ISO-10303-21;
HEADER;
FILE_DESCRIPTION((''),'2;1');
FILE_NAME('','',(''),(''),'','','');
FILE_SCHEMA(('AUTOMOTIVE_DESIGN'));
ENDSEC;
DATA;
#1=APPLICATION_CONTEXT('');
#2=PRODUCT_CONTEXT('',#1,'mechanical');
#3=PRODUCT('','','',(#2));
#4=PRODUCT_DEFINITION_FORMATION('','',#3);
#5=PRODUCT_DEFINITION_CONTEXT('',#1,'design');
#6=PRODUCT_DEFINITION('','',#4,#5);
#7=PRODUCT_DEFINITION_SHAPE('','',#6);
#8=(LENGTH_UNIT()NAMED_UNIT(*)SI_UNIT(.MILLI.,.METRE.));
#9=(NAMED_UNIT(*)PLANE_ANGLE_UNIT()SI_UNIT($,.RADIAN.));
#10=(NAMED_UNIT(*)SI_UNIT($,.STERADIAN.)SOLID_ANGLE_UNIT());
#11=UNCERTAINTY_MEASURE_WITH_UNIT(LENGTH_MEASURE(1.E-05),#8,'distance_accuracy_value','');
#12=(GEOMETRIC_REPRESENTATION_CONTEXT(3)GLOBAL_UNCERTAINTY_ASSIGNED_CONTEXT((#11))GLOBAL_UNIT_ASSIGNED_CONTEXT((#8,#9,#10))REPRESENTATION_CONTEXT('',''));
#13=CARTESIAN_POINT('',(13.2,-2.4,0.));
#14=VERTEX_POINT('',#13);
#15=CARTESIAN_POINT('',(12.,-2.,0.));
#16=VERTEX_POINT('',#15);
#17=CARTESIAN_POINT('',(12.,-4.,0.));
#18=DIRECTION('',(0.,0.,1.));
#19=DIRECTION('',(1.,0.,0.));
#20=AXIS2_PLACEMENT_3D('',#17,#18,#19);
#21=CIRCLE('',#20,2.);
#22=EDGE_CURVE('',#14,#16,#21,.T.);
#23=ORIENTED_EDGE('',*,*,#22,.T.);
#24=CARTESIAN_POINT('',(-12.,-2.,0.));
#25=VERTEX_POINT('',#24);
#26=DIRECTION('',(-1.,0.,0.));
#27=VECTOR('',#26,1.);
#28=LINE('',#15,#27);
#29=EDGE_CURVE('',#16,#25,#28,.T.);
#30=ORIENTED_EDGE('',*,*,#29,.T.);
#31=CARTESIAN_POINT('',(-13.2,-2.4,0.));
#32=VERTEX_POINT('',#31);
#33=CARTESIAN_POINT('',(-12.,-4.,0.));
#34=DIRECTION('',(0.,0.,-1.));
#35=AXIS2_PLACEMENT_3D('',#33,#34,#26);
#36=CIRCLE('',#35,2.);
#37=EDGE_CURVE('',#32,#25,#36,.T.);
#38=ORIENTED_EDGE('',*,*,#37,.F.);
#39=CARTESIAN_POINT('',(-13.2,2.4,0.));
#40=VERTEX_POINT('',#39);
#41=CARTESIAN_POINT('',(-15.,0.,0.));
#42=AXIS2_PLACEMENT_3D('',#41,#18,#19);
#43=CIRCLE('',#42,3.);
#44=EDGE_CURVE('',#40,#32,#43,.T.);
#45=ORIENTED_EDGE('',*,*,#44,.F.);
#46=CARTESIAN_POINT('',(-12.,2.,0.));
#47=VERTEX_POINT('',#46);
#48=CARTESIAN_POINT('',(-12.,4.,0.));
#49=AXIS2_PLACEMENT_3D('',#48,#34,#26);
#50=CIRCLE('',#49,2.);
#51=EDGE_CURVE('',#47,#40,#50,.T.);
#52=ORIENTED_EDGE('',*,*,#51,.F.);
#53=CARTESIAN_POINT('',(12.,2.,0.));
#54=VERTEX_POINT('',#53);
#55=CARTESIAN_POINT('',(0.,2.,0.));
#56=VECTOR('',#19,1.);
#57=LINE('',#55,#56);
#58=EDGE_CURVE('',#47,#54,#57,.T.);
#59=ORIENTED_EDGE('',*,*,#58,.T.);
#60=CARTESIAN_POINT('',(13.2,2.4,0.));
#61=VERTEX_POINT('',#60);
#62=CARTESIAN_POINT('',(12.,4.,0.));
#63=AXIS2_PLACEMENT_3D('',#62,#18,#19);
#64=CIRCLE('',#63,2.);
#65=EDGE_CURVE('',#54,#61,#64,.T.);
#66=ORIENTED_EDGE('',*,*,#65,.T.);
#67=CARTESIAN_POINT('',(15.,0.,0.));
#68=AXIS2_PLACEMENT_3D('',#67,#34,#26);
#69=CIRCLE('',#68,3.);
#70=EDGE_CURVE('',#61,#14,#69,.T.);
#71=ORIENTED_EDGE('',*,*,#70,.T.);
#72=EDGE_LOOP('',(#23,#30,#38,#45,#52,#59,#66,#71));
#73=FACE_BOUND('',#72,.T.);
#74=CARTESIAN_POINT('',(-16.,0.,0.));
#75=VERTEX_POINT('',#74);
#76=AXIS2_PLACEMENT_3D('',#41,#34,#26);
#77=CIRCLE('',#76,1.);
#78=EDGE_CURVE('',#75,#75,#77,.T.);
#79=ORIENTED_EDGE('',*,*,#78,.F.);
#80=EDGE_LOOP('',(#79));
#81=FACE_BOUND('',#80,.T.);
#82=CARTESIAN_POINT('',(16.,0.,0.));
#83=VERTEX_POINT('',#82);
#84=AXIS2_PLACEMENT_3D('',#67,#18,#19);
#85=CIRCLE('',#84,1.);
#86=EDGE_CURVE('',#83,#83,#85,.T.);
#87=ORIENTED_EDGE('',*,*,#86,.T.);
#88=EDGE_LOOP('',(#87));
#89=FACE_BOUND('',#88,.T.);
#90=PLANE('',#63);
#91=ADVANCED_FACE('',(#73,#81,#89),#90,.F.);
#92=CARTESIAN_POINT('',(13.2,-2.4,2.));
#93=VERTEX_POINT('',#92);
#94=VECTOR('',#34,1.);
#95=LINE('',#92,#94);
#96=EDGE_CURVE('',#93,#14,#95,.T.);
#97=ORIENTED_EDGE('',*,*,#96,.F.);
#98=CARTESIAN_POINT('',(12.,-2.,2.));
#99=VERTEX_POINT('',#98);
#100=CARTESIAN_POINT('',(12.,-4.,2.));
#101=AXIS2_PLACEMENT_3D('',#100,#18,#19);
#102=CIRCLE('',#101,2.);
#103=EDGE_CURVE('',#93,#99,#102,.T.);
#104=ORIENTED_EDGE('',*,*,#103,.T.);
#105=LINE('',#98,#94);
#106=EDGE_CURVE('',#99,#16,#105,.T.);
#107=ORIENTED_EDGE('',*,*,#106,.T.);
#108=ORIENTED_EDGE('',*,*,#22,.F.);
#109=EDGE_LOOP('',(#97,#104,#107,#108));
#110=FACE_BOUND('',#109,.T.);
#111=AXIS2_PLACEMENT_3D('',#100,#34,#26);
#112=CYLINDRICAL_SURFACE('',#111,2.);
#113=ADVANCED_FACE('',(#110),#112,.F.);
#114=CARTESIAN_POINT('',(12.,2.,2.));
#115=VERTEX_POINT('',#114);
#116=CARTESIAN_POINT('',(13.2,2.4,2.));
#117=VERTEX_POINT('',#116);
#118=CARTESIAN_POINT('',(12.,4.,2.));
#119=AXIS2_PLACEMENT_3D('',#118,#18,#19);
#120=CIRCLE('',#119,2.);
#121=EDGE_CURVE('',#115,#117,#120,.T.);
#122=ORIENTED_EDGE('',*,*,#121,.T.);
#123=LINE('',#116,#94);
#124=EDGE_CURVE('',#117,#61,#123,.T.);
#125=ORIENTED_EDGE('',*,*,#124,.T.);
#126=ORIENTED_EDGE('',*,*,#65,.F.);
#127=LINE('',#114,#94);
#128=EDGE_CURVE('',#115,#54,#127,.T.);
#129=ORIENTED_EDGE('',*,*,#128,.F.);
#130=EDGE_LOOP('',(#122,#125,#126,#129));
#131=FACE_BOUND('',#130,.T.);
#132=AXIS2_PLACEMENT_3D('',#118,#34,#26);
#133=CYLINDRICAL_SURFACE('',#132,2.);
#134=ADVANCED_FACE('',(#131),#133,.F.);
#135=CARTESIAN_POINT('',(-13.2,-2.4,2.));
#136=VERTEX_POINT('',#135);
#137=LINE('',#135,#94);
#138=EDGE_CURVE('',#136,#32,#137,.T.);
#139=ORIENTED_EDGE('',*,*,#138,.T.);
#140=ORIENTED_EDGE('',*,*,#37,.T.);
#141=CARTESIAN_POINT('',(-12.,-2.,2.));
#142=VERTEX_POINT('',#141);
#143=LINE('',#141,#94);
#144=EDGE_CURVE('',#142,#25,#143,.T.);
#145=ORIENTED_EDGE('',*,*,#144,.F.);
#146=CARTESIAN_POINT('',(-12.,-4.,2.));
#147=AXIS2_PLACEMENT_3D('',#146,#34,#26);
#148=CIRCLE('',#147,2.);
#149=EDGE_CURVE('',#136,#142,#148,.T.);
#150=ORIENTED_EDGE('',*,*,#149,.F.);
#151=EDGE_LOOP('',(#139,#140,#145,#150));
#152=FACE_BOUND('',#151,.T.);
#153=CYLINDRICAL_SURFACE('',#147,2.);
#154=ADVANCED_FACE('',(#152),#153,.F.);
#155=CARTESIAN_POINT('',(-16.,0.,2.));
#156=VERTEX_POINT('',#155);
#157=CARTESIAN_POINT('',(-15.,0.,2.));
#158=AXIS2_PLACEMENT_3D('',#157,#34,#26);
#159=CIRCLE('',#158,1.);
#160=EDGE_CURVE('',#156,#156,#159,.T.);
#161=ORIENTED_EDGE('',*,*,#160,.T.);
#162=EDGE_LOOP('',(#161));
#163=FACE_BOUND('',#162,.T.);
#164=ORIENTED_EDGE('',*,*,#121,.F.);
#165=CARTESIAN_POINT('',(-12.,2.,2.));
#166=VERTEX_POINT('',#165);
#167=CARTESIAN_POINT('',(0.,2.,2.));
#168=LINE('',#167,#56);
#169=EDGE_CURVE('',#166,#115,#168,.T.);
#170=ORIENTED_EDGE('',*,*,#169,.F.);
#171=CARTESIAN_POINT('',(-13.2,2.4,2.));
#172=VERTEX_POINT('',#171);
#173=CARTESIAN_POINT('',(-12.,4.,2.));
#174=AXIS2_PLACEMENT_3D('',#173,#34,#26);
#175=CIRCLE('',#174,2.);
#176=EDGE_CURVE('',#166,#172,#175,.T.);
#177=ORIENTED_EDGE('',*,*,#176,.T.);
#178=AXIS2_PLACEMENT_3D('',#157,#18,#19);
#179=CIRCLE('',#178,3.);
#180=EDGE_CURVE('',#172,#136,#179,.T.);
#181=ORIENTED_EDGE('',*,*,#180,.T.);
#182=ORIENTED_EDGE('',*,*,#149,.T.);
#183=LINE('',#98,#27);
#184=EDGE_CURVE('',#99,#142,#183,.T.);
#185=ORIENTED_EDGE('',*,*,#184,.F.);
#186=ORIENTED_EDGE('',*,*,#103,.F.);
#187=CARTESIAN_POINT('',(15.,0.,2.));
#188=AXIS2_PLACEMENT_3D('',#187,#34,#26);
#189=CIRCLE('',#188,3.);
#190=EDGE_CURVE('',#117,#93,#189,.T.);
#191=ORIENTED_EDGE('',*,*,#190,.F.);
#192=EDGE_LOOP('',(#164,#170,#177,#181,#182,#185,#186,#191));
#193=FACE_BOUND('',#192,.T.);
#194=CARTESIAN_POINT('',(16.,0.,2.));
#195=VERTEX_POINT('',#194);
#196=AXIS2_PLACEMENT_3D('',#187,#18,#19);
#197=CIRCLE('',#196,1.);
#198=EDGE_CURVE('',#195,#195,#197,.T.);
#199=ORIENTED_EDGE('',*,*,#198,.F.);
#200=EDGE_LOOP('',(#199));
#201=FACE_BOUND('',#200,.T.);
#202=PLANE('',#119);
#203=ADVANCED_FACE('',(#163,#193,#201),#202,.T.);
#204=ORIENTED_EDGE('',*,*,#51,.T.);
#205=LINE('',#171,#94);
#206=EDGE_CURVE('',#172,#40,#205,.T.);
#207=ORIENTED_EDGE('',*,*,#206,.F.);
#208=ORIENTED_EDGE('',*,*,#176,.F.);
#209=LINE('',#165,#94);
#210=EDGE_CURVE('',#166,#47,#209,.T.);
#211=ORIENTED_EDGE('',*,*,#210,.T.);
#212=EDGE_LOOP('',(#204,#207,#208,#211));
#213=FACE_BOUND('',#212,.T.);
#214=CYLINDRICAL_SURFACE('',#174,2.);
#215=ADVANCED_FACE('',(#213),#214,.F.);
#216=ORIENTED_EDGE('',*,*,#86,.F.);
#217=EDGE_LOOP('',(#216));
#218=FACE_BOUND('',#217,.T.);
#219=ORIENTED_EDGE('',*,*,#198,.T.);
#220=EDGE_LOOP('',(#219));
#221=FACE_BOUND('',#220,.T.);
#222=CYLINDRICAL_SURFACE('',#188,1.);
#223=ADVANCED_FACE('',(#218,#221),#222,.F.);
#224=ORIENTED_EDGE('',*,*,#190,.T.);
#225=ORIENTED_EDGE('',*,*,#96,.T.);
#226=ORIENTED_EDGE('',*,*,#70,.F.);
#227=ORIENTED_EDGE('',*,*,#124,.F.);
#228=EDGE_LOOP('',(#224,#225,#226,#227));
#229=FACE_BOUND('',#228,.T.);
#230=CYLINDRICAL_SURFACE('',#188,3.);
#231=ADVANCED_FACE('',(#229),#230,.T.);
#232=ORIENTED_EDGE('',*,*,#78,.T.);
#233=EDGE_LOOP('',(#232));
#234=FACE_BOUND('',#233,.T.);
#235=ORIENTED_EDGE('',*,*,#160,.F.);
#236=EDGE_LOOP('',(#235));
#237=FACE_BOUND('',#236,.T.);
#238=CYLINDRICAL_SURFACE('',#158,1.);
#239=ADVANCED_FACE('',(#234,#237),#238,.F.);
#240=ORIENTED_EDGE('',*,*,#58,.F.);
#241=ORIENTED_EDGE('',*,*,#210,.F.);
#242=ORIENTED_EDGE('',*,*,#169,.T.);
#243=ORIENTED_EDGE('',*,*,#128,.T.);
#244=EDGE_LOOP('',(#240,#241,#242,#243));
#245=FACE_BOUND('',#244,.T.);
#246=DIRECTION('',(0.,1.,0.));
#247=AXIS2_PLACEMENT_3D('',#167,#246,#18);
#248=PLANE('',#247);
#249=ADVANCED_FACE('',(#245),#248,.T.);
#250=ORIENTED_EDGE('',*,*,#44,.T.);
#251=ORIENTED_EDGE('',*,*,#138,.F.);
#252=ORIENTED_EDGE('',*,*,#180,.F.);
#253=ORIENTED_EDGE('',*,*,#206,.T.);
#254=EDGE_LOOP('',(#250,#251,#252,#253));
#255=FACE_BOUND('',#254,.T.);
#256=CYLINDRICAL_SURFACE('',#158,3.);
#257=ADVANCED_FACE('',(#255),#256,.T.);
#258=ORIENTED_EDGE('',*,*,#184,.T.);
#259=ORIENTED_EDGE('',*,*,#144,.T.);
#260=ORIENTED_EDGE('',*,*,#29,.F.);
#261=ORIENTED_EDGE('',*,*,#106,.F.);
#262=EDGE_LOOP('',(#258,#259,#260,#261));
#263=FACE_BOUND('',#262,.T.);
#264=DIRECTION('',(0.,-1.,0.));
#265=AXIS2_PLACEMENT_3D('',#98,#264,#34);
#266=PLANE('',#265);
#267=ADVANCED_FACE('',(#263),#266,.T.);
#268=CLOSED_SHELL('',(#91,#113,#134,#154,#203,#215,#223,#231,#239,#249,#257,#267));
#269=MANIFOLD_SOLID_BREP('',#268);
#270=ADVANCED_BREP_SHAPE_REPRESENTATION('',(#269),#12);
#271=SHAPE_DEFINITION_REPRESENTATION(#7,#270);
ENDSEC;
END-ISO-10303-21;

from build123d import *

# Parameters (mm, degrees)
SKETCH1_R           = 1
BOSS_EXTRUDE1_DEPTH = 2


with BuildPart() as part:
    # Sketch1 → Boss-Extrude1 (new body)
    with BuildSketch(Plane.XY):
        with BuildLine():
            Line((0, -2), (0, 2))
            Line((0, 2), (12, 2))
            ThreePointArc((12, 2), (12.632455532, 2.102633404), (13.2, 2.4))
            ThreePointArc((13.2, 2.4), (18, 0), (13.2, -2.4))
            ThreePointArc((13.2, -2.4), (12.632455532, -2.102633404), (12, -2))
            Line((12, -2), (0, -2))
        make_face()
        with Locations((15, 0)):
            Circle(SKETCH1_R, mode=Mode.SUBTRACT)
    boss_extrude1 = extrude(amount=BOSS_EXTRUDE1_DEPTH)

    # Mirror1: Boss-Extrude1 across plane
    add(boss_extrude1.mirror(Plane(origin=(0, -2, 2), x_dir=(0, 0, 1), z_dir=(-1, 0, 0))))


solid = part.part
